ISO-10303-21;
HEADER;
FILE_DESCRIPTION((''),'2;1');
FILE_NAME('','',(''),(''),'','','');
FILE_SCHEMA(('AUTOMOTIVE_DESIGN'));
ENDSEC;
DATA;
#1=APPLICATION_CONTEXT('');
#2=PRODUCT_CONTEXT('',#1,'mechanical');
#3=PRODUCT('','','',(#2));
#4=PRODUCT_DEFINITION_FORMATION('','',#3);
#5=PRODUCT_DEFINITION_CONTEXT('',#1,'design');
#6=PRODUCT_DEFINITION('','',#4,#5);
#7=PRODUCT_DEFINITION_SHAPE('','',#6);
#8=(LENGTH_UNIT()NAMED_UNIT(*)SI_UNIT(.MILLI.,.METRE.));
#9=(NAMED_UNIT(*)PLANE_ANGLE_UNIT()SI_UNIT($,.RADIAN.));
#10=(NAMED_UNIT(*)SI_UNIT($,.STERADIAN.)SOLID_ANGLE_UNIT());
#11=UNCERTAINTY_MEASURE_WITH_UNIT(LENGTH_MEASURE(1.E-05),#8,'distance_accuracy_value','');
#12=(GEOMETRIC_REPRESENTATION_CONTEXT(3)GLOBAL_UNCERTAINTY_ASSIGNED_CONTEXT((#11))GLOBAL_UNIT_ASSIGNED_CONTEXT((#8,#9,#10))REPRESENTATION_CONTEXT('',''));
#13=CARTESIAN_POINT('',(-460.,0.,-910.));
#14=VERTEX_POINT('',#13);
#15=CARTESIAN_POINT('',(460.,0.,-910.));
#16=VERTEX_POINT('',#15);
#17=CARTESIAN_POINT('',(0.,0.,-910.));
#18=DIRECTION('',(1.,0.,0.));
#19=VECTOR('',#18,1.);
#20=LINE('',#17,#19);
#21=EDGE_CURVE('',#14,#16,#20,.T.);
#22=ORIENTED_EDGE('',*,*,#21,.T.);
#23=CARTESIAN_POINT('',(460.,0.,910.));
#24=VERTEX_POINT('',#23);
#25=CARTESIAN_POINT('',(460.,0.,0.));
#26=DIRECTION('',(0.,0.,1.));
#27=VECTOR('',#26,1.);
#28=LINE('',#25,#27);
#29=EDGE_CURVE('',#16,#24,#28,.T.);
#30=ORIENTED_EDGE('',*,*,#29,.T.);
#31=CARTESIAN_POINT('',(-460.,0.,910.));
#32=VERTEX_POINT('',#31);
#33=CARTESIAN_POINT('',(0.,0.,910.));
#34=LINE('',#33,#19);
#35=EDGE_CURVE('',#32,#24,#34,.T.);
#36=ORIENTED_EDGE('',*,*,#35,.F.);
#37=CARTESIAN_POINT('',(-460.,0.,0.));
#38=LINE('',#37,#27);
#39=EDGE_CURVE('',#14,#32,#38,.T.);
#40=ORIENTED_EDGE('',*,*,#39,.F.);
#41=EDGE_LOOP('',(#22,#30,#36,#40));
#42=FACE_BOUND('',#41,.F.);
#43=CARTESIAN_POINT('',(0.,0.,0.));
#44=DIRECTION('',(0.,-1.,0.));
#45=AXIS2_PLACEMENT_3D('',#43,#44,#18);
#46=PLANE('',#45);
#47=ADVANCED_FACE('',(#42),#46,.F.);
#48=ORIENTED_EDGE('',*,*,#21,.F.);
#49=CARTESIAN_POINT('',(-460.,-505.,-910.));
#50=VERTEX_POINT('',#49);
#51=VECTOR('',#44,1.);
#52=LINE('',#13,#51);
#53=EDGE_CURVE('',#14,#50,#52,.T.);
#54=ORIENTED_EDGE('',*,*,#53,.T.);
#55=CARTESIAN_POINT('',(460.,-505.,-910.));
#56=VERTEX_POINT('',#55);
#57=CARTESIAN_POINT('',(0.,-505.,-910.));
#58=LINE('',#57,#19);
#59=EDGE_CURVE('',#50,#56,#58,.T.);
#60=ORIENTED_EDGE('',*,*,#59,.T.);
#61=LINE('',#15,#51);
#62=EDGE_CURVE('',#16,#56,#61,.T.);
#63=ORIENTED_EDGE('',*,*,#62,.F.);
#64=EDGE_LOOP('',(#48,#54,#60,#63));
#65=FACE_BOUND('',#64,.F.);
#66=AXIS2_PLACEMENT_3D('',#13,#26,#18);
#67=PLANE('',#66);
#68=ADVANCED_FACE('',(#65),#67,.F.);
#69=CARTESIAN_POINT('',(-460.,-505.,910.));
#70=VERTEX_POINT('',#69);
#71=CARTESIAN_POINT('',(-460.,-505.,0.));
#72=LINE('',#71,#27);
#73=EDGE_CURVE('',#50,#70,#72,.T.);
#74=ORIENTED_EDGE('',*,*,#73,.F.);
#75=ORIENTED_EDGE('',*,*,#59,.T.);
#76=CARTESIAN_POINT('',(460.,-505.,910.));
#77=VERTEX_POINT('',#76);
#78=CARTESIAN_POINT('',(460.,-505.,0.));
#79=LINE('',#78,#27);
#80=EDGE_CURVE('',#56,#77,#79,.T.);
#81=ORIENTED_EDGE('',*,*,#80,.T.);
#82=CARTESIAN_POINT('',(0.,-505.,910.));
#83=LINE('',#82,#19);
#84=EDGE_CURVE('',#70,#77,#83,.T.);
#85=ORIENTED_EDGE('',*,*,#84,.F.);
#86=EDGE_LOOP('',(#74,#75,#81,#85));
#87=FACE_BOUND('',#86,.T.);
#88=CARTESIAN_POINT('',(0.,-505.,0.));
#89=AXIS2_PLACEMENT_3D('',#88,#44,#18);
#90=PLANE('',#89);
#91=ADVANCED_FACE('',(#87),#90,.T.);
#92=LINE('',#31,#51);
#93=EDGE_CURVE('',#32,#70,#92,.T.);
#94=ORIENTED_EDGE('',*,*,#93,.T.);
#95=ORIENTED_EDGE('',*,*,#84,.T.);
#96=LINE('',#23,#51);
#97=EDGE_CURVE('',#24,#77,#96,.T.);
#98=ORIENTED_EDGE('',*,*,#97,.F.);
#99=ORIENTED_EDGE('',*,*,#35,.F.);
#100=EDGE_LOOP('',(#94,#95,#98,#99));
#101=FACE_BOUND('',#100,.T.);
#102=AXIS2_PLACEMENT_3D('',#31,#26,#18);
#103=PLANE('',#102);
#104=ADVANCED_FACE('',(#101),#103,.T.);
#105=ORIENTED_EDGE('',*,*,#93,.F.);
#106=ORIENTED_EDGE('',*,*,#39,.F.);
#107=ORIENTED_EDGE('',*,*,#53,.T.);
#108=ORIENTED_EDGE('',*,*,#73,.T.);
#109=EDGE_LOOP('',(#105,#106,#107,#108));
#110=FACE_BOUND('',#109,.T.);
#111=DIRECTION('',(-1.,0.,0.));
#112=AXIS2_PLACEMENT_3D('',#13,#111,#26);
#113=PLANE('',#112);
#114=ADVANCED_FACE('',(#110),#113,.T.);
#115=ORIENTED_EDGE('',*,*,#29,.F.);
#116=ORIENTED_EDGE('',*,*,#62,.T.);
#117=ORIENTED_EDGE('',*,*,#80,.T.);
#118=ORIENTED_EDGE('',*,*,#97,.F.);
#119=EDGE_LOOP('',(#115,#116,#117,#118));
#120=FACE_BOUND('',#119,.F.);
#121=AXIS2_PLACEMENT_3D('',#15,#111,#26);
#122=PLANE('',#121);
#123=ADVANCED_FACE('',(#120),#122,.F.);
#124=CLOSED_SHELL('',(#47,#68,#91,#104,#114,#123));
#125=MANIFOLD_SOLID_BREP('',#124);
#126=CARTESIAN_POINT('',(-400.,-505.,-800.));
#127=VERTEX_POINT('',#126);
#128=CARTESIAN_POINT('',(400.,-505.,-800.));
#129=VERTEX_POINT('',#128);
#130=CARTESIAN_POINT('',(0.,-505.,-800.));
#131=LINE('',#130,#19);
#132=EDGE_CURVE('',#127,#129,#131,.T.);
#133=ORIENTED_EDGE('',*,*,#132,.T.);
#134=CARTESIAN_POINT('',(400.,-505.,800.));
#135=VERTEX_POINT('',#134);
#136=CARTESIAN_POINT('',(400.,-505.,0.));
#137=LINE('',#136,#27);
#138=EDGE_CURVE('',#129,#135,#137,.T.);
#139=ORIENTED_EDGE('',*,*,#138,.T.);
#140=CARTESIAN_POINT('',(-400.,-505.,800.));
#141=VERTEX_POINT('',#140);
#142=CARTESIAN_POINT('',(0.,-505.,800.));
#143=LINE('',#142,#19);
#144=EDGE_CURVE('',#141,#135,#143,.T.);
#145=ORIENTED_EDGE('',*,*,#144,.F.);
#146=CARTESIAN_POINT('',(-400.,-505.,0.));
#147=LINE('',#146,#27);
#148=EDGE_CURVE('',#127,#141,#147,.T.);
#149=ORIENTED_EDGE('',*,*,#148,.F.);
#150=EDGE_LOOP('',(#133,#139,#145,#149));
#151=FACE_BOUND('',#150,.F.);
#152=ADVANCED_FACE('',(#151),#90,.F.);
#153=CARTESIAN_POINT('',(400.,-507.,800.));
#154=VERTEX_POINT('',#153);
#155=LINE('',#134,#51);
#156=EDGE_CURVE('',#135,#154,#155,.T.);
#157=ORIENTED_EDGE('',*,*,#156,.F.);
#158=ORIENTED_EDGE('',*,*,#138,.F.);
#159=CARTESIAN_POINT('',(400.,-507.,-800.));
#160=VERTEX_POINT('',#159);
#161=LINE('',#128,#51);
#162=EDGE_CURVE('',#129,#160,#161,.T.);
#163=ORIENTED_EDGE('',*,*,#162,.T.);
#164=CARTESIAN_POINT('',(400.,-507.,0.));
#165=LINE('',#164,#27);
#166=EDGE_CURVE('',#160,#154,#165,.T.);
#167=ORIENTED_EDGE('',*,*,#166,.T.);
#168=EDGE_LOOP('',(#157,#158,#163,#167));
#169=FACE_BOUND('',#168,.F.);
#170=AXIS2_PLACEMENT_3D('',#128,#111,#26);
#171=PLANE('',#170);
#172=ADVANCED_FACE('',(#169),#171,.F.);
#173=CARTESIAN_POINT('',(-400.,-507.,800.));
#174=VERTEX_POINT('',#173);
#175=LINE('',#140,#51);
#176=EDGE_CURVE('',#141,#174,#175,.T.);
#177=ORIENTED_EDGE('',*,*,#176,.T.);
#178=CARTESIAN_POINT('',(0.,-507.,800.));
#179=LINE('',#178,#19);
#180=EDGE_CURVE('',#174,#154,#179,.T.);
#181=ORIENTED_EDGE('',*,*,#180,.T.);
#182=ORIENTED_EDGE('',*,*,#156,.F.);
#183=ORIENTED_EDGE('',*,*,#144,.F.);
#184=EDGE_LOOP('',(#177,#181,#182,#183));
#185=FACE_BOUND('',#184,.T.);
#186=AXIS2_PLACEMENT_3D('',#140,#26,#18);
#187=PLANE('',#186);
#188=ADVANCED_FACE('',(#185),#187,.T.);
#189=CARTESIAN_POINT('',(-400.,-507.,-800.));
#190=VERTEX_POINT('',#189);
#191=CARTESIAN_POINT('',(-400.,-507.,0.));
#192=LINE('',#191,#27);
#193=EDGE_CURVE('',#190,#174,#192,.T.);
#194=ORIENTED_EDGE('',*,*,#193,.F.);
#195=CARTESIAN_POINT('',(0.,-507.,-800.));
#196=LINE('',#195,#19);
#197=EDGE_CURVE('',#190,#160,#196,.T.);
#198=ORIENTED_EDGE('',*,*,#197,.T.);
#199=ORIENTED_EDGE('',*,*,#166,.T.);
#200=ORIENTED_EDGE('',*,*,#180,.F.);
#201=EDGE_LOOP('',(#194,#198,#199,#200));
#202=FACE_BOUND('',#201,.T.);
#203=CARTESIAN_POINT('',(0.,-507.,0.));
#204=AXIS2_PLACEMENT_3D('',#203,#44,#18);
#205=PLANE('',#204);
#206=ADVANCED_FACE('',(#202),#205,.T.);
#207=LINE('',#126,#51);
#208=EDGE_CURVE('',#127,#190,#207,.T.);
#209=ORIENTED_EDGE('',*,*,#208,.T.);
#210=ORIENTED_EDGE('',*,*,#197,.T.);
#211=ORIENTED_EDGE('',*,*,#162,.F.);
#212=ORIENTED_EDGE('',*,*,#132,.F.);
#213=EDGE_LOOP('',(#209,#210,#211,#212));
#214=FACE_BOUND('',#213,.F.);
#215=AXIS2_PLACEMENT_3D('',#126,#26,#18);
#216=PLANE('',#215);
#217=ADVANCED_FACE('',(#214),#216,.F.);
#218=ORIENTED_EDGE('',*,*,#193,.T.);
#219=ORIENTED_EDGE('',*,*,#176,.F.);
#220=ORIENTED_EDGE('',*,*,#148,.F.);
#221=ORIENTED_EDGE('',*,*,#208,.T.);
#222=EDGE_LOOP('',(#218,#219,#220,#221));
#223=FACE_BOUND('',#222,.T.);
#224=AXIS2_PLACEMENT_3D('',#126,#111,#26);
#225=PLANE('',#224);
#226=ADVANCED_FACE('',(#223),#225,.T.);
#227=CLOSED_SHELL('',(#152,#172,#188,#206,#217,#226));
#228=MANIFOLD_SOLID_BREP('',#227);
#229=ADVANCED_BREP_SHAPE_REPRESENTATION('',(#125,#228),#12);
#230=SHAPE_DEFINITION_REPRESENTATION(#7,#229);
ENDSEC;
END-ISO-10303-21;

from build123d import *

# Parameters (mm, degrees)
F2_W     = 920
F2_H     = 1820
F3_DEPTH = 505
F0_W     = 800
F0_H     = 1600
F1_DEPTH = 2


with BuildPart() as f3:
    # F2 (on Front) → F3 (new body)
    with BuildSketch(Plane.XZ):
        Rectangle(F2_W, F2_H)
    extrude(amount=F3_DEPTH)


with BuildPart() as f1:
    # F0 (on face) → F1 (new body)
    with BuildSketch(Plane.XZ.offset(505)):
        Rectangle(F0_W, F0_H)
    extrude(amount=F1_DEPTH)


solid = Compound([f3.part, f1.part])
